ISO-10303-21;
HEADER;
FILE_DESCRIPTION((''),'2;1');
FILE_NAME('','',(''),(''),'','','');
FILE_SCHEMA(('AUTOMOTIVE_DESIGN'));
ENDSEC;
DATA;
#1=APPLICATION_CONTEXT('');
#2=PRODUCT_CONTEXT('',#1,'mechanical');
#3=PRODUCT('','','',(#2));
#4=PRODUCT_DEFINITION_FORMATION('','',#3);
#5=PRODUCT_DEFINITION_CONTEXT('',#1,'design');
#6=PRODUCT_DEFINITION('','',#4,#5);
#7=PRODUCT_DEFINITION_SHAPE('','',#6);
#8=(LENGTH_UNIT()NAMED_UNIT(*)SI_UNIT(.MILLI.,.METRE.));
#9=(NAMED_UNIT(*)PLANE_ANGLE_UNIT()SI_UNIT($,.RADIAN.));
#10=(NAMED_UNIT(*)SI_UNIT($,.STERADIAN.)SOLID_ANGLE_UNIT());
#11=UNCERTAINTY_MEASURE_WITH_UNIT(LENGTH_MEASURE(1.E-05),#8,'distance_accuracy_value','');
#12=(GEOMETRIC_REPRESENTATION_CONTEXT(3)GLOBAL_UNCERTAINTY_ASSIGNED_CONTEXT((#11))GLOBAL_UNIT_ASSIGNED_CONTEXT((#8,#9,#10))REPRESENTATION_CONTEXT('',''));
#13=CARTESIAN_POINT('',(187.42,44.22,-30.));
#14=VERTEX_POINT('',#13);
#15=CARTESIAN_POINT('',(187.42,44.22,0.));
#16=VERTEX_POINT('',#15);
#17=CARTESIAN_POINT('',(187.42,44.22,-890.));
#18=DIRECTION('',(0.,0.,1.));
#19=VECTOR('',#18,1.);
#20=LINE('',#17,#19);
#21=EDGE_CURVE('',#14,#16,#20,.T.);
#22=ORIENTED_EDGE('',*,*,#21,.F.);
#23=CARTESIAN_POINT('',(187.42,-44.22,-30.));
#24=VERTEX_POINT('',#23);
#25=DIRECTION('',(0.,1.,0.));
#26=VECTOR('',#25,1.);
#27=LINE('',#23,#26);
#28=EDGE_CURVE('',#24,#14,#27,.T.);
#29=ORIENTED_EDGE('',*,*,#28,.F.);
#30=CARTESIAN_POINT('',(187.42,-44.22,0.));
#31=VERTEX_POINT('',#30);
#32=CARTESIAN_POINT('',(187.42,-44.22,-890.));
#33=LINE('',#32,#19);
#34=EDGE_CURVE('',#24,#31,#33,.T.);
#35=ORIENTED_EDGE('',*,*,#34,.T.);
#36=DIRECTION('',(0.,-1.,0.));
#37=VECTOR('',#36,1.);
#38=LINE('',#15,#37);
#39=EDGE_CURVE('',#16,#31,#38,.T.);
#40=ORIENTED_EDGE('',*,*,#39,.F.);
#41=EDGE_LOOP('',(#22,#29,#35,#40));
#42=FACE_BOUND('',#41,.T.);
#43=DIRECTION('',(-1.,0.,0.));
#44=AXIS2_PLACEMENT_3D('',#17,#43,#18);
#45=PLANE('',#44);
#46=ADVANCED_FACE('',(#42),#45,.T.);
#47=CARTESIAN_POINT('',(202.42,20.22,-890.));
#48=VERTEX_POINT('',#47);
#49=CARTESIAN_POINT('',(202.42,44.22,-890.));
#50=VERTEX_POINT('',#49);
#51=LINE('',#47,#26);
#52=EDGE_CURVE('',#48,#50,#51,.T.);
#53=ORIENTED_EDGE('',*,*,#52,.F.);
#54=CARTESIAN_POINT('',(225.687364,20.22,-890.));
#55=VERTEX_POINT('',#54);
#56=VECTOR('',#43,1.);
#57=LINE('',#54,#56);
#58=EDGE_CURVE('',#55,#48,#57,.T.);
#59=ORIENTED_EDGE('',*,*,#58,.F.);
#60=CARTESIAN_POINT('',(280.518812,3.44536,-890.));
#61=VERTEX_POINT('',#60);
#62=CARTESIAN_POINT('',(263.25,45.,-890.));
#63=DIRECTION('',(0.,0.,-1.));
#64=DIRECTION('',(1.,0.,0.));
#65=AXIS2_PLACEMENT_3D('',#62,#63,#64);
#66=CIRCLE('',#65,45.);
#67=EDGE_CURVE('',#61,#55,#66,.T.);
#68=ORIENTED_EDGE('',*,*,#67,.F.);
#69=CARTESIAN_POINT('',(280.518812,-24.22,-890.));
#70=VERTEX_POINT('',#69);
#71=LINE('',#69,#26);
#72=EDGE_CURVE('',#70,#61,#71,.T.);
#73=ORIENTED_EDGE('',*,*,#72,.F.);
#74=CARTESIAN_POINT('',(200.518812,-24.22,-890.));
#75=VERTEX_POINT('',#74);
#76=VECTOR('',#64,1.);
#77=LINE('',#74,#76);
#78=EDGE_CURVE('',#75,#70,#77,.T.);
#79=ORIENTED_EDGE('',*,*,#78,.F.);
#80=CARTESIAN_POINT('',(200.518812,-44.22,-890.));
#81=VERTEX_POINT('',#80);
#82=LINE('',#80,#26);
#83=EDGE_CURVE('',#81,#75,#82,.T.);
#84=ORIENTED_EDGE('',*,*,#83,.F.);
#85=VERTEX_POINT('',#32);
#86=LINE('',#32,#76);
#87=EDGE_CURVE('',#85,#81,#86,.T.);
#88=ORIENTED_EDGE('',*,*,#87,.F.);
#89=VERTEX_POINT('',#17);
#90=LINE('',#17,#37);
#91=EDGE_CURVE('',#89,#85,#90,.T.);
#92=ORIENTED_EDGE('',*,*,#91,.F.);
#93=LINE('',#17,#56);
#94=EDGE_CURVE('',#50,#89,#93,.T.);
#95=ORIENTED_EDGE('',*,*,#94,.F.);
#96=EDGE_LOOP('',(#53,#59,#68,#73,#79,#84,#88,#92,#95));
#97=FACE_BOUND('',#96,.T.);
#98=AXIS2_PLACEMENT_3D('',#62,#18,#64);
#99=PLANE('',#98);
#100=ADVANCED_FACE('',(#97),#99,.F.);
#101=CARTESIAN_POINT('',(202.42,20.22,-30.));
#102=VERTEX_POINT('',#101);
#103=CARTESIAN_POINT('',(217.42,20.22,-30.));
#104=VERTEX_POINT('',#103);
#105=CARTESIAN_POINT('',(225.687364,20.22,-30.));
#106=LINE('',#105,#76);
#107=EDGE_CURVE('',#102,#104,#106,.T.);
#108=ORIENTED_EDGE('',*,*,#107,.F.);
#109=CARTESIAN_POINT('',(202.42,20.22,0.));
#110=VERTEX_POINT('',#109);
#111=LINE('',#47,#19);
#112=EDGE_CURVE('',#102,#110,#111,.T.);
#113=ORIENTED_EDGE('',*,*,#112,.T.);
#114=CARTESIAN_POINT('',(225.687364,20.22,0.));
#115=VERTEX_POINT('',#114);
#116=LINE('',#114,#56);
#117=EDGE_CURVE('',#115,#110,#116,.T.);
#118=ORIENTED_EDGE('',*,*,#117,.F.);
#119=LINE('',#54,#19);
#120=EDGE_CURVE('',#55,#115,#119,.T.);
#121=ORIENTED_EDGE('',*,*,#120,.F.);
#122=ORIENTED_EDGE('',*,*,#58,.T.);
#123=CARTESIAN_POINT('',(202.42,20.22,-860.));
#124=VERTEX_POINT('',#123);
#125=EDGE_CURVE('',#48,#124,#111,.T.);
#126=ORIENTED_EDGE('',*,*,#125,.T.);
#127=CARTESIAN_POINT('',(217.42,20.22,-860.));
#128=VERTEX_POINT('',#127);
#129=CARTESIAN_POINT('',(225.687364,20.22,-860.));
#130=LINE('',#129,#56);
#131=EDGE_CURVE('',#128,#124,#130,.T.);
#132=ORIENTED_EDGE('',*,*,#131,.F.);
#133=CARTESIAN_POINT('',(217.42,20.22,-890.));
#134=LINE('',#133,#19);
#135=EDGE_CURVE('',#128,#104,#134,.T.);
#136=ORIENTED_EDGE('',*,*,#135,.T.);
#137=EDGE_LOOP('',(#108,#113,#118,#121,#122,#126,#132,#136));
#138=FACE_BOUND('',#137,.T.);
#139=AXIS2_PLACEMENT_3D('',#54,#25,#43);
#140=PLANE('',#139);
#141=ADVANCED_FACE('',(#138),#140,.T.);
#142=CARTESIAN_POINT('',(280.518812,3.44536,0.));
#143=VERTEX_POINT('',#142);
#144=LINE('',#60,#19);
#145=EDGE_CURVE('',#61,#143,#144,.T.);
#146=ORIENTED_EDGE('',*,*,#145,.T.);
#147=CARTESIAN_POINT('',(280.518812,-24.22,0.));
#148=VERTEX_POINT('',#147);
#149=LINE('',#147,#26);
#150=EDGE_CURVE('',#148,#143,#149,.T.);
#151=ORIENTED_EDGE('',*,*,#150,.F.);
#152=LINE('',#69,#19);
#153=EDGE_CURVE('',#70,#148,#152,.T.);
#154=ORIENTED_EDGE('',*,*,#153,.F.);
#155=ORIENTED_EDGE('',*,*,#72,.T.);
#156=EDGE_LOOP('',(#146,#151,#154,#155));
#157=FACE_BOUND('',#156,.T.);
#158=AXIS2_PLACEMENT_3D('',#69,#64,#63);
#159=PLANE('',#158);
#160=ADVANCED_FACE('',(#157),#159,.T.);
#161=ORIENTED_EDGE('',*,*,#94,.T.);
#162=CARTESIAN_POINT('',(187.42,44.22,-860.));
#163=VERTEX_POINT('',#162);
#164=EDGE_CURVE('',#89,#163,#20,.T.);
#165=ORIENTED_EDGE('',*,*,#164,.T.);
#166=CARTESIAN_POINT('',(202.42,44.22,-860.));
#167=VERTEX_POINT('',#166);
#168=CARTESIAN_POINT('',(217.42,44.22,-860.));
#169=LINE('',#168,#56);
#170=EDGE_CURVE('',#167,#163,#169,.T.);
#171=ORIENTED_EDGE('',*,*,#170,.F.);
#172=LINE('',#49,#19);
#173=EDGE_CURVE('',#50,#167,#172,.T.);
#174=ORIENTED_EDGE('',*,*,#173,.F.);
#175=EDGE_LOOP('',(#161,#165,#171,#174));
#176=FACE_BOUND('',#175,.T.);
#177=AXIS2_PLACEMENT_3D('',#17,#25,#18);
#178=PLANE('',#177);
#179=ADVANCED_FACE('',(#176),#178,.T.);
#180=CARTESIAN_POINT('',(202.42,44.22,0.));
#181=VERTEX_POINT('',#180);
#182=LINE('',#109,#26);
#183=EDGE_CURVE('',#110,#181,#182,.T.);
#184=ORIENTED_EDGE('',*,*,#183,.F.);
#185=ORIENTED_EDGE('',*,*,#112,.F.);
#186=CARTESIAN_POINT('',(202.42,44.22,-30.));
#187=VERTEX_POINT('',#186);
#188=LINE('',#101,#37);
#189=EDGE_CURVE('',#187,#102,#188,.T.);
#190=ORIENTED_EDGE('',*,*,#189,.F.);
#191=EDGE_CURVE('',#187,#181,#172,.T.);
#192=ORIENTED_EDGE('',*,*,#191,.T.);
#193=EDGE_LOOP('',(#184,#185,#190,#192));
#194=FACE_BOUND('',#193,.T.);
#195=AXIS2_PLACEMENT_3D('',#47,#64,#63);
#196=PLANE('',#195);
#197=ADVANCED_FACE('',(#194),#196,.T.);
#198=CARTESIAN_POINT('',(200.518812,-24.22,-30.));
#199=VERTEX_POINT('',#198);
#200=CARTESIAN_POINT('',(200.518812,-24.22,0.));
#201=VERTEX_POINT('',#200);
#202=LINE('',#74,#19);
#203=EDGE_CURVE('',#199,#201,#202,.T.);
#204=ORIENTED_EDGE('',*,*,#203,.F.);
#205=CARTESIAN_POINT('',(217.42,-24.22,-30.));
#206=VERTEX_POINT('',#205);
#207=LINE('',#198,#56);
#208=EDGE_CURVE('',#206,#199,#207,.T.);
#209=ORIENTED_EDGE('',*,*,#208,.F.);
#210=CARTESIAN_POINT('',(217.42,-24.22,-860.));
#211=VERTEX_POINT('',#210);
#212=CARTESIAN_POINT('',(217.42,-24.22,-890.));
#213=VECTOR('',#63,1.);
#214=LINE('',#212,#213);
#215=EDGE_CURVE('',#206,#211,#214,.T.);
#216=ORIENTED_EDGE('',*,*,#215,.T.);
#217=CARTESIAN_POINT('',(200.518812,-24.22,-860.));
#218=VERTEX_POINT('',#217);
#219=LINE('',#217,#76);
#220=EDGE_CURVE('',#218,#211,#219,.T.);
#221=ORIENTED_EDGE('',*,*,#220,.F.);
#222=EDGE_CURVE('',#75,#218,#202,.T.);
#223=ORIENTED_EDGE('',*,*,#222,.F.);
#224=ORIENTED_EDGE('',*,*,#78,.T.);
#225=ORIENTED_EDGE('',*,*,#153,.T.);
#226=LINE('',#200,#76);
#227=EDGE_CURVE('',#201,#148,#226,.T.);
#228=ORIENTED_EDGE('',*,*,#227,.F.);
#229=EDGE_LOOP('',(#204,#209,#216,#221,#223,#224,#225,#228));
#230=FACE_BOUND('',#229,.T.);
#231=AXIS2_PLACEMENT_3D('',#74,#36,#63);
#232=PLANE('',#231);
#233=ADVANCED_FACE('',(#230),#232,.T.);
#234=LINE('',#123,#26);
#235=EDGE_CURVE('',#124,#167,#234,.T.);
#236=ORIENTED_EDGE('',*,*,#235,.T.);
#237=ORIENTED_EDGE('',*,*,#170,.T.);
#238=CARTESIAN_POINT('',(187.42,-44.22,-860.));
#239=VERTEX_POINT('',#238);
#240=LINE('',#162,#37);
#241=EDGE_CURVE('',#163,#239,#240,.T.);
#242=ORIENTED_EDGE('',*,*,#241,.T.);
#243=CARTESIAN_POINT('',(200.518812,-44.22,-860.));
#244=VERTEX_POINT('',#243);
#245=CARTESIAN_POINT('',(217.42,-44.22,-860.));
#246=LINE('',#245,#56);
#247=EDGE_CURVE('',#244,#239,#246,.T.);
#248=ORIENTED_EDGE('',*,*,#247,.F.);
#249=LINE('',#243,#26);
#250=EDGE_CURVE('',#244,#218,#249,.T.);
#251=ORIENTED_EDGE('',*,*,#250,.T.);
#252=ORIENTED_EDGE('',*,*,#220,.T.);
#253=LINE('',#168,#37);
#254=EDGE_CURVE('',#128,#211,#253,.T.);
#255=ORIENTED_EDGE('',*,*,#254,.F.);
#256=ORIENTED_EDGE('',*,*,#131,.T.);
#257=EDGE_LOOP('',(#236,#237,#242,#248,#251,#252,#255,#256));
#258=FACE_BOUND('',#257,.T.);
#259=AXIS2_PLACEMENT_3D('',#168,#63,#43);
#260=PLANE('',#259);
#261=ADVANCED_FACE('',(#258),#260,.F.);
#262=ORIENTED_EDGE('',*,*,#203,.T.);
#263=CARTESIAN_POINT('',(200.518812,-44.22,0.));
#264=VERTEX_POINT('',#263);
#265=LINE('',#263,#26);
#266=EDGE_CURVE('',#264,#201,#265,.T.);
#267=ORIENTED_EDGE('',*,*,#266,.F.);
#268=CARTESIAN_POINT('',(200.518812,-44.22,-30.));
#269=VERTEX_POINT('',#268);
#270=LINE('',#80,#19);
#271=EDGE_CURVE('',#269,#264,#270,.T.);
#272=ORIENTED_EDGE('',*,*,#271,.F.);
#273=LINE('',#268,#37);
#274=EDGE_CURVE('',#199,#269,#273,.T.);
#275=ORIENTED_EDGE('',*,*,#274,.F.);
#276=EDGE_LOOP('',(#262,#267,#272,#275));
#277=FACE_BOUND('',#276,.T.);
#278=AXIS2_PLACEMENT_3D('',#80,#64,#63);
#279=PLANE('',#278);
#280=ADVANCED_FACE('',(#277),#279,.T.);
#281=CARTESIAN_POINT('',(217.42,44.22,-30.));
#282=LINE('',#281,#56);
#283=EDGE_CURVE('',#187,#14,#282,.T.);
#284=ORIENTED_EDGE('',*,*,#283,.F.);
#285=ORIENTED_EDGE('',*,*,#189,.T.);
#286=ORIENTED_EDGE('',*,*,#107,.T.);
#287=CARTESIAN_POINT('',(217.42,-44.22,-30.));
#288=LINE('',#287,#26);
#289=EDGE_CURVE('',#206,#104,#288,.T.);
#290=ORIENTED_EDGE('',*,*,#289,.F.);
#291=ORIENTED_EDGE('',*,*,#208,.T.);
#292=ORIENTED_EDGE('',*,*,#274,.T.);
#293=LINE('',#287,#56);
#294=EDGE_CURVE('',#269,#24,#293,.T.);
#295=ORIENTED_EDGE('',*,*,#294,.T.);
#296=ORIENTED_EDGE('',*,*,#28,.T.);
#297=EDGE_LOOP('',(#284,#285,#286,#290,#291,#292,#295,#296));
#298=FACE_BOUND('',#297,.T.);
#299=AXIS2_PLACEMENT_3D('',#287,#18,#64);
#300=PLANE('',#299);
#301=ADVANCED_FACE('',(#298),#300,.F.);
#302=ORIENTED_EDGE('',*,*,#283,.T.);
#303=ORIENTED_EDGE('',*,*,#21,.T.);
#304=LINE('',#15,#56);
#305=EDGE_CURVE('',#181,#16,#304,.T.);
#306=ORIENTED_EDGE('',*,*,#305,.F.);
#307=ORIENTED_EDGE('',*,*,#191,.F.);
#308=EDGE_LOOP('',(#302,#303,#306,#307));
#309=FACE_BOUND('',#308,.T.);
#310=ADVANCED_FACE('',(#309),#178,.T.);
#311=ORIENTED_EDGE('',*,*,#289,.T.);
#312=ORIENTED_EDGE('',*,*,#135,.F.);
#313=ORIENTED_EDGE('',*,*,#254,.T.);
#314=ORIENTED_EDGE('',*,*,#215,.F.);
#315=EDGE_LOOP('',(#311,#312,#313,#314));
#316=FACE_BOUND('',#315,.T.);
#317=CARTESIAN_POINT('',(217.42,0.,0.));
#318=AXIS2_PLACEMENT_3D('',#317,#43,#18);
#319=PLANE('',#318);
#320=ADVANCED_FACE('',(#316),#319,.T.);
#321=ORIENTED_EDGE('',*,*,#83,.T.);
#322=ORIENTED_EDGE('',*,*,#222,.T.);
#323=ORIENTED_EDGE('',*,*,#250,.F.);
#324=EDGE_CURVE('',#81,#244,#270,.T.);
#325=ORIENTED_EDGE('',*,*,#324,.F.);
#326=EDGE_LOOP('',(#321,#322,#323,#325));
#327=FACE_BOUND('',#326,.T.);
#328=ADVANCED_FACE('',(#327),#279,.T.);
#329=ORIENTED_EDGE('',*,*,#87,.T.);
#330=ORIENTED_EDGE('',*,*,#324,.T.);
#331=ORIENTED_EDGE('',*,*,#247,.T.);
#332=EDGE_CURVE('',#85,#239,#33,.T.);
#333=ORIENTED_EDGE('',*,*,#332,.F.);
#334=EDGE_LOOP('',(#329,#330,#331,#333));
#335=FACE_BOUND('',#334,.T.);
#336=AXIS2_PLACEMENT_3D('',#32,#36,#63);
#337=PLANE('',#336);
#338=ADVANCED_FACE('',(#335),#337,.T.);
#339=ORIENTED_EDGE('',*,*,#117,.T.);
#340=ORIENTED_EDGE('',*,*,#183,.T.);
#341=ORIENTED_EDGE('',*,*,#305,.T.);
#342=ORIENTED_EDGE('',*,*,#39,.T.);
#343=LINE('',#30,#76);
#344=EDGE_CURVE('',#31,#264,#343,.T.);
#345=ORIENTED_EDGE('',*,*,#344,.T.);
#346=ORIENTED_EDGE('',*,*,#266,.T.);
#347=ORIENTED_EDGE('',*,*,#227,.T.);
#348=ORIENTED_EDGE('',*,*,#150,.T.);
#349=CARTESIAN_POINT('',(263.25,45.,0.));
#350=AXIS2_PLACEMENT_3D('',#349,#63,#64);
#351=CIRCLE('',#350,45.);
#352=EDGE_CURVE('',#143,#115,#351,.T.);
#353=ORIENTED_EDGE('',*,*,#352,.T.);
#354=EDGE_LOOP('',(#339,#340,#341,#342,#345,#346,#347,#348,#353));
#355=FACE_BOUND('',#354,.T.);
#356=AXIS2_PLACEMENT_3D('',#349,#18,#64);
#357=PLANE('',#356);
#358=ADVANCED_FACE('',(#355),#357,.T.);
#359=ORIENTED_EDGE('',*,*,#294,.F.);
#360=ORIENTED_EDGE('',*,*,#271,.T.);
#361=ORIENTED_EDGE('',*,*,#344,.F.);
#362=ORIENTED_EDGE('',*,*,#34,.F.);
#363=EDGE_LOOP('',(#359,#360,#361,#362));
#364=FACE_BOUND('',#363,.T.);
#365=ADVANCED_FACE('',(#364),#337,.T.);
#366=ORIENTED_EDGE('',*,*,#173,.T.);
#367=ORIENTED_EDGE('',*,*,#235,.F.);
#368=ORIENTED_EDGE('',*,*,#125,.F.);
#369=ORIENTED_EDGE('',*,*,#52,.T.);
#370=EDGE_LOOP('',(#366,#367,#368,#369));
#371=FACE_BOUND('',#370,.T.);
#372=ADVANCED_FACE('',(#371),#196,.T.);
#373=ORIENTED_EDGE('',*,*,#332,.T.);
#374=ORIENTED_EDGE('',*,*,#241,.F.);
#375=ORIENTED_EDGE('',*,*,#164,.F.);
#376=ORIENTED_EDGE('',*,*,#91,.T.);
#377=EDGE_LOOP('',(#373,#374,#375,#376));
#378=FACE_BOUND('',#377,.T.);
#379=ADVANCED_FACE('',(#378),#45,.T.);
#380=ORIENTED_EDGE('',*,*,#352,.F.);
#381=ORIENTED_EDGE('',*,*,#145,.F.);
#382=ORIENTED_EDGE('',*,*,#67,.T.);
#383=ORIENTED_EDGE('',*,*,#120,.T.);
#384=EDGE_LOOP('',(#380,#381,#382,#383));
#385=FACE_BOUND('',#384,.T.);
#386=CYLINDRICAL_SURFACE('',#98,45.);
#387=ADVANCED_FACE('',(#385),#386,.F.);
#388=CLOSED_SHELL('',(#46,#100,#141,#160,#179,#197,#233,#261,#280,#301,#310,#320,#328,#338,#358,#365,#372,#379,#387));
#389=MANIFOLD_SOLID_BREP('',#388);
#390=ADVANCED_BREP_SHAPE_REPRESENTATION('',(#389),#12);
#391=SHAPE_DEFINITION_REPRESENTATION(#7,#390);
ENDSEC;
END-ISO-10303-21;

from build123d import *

# Parameters (mm, degrees)
BOSS_EXTRUDE1_DEPTH = 890
SKETCH2_W           = 830
SKETCH2_H           = 88.44
CUT_EXTRUDE1_DEPTH  = 30


with BuildPart() as part:
    # Sketch1 → Boss-Extrude1 (new body)
    with BuildSketch(Plane.XY):
        with BuildLine():
            Line((187.42, 44.22), (187.42, -44.22))
            Line((187.42, -44.22), (200.51881238, -44.22))
            Line((200.51881238, -44.22), (200.51881238, -24.22))
            Line((200.51881238, -24.22), (280.51881238, -24.22))
            Line((280.51881238, -24.22), (280.51881238, 3.445359838))
            ThreePointArc((280.51881238, 3.445359838), (250.085390083, 1.968696909), (225.68736431, 20.22))
            Line((225.68736431, 20.22), (202.42, 20.22))
            Line((202.42, 20.22), (202.42, 44.22))
            Line((202.42, 44.22), (187.42, 44.22))
        make_face()
    extrude(amount=-BOSS_EXTRUDE1_DEPTH)

    # Sketch2 → Cut-Extrude1 (cut)
    with BuildSketch(Plane.ZY.offset(-187.42)):
        with Locations((-445, 0)):
            Rectangle(SKETCH2_W, SKETCH2_H)
    extrude(amount=-CUT_EXTRUDE1_DEPTH, mode=Mode.SUBTRACT)


solid = part.part
